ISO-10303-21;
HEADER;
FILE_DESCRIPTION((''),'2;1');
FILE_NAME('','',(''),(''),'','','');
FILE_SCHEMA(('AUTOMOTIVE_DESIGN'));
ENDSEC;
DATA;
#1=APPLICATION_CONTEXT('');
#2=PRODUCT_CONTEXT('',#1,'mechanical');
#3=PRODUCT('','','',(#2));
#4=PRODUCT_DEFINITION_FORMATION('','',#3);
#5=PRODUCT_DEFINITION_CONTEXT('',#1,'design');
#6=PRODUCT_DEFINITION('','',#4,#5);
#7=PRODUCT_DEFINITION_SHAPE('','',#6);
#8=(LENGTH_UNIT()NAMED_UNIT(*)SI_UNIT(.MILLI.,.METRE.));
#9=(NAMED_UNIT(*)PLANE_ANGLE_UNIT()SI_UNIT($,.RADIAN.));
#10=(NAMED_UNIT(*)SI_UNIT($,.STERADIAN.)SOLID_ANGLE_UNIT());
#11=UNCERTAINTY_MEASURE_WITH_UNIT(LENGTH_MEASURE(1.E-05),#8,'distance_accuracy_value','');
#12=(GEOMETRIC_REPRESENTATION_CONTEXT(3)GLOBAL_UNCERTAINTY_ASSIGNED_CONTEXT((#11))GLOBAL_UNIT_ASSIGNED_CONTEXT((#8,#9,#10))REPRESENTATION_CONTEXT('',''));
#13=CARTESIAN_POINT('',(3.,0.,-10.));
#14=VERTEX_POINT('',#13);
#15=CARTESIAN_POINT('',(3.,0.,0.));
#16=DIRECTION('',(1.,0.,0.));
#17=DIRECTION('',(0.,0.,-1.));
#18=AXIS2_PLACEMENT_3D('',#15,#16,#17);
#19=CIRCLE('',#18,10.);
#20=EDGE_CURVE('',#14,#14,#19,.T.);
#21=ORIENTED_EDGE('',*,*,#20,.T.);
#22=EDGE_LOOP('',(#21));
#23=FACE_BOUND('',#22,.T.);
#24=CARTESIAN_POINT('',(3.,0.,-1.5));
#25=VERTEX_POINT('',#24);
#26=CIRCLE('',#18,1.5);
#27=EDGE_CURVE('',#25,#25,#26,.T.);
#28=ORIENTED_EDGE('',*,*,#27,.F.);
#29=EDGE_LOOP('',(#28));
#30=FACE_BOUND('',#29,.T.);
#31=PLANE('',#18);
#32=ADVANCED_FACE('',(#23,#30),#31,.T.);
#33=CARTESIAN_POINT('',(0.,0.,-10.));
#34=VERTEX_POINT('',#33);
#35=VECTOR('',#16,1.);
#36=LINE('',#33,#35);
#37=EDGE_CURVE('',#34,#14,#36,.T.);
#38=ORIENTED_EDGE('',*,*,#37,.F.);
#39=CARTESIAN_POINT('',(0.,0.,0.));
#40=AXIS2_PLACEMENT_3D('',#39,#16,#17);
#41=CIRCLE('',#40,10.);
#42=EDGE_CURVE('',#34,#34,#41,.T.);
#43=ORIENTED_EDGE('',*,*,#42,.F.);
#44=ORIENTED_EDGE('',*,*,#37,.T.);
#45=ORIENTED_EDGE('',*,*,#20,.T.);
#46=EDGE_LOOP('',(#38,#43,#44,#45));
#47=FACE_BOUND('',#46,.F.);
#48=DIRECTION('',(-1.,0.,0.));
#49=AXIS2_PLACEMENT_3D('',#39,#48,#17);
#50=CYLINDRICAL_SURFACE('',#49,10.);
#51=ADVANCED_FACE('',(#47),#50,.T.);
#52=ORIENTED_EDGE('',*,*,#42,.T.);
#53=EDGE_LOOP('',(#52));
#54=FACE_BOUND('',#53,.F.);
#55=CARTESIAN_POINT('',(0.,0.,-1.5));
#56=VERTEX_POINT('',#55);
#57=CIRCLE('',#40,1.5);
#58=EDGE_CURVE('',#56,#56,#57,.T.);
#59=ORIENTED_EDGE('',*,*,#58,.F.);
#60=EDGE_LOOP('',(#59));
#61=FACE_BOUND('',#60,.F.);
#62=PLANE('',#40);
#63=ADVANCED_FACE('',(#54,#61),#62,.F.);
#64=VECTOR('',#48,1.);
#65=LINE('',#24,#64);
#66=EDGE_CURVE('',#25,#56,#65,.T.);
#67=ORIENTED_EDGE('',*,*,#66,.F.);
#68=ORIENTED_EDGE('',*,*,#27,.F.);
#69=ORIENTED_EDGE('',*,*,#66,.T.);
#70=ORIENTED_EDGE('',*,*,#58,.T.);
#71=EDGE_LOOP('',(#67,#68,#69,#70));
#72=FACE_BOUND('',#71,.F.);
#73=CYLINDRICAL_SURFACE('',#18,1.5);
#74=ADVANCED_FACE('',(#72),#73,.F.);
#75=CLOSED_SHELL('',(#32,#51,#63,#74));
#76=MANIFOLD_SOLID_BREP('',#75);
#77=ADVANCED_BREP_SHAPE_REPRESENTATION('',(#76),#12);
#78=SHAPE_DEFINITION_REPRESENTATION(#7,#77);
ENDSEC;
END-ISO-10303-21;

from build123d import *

# Parameters (mm, degrees)
SKETCH1_R           = 10
BOSS_EXTRUDE1_DEPTH = 3
SKETCH2_R           = 1.5
CUT_EXTRUDE1_DEPTH  = 4


with BuildPart() as part:
    # Sketch1 → Boss-Extrude1 (new body)
    with BuildSketch(Plane(origin=(0, 0, 0), x_dir=(0, 0, -1), z_dir=(1, 0, 0))):
        Circle(SKETCH1_R)
    extrude(amount=BOSS_EXTRUDE1_DEPTH)

    # Sketch2 → Cut-Extrude1 (cut, through all)
    with BuildSketch(Plane(origin=(3, 0, 0), x_dir=(0, 0, -1), z_dir=(1, 0, 0))):
        Circle(SKETCH2_R)
    extrude(amount=-CUT_EXTRUDE1_DEPTH, mode=Mode.SUBTRACT)


solid = part.part
